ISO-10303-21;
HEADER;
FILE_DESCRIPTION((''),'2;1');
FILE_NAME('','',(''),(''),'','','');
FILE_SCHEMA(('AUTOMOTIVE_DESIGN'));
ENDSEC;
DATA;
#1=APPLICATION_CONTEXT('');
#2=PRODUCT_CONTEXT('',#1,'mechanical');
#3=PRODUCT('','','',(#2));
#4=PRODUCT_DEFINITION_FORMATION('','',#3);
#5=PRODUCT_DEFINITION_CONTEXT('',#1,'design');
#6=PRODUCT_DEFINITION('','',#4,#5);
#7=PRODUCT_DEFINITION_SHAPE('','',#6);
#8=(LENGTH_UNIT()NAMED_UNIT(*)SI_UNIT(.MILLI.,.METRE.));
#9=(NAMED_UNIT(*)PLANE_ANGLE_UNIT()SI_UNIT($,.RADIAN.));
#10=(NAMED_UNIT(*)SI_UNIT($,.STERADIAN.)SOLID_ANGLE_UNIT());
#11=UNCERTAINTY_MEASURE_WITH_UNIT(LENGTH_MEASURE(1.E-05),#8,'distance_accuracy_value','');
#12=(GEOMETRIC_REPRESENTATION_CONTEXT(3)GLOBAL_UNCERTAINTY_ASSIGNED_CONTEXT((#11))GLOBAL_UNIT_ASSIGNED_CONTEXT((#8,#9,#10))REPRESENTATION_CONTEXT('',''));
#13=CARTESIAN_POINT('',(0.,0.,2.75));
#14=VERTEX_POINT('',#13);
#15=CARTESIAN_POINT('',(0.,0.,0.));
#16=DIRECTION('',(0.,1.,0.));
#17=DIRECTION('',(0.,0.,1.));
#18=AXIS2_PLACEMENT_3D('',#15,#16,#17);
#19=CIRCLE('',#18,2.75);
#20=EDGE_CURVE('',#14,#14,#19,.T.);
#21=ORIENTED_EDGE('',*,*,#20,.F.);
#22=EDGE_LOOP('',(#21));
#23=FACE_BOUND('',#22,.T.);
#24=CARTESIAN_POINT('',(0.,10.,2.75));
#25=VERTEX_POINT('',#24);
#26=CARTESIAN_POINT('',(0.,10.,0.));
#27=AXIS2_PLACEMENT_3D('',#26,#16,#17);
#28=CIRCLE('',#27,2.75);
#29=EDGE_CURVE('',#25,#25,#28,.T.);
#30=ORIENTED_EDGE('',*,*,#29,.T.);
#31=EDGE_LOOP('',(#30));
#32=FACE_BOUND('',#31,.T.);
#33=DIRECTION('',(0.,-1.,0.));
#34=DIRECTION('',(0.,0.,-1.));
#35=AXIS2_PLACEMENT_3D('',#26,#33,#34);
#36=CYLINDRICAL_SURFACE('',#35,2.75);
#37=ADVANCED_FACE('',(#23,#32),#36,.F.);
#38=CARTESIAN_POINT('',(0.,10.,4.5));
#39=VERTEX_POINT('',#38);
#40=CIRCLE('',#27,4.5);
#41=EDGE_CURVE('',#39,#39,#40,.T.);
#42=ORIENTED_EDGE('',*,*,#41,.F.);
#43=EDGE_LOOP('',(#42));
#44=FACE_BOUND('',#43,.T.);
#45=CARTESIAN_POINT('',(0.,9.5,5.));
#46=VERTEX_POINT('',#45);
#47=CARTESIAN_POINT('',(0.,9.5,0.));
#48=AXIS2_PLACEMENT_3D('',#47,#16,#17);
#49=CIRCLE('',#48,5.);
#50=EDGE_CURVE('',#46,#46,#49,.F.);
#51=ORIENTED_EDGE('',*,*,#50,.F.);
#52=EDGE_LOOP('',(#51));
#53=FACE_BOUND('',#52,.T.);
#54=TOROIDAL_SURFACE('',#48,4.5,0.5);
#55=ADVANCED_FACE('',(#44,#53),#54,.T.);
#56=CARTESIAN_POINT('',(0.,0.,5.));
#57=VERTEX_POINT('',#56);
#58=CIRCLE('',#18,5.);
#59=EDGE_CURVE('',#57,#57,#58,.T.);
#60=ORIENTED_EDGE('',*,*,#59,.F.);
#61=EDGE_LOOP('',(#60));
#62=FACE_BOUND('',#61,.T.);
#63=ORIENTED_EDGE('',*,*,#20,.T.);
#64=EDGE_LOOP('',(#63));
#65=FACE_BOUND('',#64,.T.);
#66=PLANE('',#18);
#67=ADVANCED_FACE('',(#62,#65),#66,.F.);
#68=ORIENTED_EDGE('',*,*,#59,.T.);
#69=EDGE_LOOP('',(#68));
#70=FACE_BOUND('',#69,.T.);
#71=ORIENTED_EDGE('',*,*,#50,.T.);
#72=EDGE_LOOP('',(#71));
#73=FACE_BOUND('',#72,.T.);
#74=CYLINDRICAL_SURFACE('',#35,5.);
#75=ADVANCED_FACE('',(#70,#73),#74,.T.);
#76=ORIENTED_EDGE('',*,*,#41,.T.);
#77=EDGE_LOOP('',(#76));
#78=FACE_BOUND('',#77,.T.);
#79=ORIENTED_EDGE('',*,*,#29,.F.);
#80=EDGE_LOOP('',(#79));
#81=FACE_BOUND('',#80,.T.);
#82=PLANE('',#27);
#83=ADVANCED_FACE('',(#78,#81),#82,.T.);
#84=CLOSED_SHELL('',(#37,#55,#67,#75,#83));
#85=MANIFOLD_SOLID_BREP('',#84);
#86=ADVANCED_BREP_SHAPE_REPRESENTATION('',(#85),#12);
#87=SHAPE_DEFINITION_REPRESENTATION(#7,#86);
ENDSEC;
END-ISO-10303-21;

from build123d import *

# Parameters (mm, degrees)
SKETCH1_R           = 5
SKETCH1_R_2         = 2.75
BOSS_EXTRUDE1_DEPTH = 10
FILLET3_R           = 0.5


with BuildPart() as part:
    # Sketch1 → Boss-Extrude1 (new body)
    with BuildSketch(Plane(origin=(0, 0, 0), x_dir=(1, 0, 0), z_dir=(0, 1, 0))):
        Circle(SKETCH1_R)
        Circle(SKETCH1_R_2, mode=Mode.SUBTRACT)
    extrude(amount=BOSS_EXTRUDE1_DEPTH)

    # Fillet3
    fillet3_edges = [part.edges().sort_by_distance(p)[0] for p in [
        (-5, 10, 0),
    ]]
    fillet(fillet3_edges, radius=FILLET3_R)


solid = part.part
